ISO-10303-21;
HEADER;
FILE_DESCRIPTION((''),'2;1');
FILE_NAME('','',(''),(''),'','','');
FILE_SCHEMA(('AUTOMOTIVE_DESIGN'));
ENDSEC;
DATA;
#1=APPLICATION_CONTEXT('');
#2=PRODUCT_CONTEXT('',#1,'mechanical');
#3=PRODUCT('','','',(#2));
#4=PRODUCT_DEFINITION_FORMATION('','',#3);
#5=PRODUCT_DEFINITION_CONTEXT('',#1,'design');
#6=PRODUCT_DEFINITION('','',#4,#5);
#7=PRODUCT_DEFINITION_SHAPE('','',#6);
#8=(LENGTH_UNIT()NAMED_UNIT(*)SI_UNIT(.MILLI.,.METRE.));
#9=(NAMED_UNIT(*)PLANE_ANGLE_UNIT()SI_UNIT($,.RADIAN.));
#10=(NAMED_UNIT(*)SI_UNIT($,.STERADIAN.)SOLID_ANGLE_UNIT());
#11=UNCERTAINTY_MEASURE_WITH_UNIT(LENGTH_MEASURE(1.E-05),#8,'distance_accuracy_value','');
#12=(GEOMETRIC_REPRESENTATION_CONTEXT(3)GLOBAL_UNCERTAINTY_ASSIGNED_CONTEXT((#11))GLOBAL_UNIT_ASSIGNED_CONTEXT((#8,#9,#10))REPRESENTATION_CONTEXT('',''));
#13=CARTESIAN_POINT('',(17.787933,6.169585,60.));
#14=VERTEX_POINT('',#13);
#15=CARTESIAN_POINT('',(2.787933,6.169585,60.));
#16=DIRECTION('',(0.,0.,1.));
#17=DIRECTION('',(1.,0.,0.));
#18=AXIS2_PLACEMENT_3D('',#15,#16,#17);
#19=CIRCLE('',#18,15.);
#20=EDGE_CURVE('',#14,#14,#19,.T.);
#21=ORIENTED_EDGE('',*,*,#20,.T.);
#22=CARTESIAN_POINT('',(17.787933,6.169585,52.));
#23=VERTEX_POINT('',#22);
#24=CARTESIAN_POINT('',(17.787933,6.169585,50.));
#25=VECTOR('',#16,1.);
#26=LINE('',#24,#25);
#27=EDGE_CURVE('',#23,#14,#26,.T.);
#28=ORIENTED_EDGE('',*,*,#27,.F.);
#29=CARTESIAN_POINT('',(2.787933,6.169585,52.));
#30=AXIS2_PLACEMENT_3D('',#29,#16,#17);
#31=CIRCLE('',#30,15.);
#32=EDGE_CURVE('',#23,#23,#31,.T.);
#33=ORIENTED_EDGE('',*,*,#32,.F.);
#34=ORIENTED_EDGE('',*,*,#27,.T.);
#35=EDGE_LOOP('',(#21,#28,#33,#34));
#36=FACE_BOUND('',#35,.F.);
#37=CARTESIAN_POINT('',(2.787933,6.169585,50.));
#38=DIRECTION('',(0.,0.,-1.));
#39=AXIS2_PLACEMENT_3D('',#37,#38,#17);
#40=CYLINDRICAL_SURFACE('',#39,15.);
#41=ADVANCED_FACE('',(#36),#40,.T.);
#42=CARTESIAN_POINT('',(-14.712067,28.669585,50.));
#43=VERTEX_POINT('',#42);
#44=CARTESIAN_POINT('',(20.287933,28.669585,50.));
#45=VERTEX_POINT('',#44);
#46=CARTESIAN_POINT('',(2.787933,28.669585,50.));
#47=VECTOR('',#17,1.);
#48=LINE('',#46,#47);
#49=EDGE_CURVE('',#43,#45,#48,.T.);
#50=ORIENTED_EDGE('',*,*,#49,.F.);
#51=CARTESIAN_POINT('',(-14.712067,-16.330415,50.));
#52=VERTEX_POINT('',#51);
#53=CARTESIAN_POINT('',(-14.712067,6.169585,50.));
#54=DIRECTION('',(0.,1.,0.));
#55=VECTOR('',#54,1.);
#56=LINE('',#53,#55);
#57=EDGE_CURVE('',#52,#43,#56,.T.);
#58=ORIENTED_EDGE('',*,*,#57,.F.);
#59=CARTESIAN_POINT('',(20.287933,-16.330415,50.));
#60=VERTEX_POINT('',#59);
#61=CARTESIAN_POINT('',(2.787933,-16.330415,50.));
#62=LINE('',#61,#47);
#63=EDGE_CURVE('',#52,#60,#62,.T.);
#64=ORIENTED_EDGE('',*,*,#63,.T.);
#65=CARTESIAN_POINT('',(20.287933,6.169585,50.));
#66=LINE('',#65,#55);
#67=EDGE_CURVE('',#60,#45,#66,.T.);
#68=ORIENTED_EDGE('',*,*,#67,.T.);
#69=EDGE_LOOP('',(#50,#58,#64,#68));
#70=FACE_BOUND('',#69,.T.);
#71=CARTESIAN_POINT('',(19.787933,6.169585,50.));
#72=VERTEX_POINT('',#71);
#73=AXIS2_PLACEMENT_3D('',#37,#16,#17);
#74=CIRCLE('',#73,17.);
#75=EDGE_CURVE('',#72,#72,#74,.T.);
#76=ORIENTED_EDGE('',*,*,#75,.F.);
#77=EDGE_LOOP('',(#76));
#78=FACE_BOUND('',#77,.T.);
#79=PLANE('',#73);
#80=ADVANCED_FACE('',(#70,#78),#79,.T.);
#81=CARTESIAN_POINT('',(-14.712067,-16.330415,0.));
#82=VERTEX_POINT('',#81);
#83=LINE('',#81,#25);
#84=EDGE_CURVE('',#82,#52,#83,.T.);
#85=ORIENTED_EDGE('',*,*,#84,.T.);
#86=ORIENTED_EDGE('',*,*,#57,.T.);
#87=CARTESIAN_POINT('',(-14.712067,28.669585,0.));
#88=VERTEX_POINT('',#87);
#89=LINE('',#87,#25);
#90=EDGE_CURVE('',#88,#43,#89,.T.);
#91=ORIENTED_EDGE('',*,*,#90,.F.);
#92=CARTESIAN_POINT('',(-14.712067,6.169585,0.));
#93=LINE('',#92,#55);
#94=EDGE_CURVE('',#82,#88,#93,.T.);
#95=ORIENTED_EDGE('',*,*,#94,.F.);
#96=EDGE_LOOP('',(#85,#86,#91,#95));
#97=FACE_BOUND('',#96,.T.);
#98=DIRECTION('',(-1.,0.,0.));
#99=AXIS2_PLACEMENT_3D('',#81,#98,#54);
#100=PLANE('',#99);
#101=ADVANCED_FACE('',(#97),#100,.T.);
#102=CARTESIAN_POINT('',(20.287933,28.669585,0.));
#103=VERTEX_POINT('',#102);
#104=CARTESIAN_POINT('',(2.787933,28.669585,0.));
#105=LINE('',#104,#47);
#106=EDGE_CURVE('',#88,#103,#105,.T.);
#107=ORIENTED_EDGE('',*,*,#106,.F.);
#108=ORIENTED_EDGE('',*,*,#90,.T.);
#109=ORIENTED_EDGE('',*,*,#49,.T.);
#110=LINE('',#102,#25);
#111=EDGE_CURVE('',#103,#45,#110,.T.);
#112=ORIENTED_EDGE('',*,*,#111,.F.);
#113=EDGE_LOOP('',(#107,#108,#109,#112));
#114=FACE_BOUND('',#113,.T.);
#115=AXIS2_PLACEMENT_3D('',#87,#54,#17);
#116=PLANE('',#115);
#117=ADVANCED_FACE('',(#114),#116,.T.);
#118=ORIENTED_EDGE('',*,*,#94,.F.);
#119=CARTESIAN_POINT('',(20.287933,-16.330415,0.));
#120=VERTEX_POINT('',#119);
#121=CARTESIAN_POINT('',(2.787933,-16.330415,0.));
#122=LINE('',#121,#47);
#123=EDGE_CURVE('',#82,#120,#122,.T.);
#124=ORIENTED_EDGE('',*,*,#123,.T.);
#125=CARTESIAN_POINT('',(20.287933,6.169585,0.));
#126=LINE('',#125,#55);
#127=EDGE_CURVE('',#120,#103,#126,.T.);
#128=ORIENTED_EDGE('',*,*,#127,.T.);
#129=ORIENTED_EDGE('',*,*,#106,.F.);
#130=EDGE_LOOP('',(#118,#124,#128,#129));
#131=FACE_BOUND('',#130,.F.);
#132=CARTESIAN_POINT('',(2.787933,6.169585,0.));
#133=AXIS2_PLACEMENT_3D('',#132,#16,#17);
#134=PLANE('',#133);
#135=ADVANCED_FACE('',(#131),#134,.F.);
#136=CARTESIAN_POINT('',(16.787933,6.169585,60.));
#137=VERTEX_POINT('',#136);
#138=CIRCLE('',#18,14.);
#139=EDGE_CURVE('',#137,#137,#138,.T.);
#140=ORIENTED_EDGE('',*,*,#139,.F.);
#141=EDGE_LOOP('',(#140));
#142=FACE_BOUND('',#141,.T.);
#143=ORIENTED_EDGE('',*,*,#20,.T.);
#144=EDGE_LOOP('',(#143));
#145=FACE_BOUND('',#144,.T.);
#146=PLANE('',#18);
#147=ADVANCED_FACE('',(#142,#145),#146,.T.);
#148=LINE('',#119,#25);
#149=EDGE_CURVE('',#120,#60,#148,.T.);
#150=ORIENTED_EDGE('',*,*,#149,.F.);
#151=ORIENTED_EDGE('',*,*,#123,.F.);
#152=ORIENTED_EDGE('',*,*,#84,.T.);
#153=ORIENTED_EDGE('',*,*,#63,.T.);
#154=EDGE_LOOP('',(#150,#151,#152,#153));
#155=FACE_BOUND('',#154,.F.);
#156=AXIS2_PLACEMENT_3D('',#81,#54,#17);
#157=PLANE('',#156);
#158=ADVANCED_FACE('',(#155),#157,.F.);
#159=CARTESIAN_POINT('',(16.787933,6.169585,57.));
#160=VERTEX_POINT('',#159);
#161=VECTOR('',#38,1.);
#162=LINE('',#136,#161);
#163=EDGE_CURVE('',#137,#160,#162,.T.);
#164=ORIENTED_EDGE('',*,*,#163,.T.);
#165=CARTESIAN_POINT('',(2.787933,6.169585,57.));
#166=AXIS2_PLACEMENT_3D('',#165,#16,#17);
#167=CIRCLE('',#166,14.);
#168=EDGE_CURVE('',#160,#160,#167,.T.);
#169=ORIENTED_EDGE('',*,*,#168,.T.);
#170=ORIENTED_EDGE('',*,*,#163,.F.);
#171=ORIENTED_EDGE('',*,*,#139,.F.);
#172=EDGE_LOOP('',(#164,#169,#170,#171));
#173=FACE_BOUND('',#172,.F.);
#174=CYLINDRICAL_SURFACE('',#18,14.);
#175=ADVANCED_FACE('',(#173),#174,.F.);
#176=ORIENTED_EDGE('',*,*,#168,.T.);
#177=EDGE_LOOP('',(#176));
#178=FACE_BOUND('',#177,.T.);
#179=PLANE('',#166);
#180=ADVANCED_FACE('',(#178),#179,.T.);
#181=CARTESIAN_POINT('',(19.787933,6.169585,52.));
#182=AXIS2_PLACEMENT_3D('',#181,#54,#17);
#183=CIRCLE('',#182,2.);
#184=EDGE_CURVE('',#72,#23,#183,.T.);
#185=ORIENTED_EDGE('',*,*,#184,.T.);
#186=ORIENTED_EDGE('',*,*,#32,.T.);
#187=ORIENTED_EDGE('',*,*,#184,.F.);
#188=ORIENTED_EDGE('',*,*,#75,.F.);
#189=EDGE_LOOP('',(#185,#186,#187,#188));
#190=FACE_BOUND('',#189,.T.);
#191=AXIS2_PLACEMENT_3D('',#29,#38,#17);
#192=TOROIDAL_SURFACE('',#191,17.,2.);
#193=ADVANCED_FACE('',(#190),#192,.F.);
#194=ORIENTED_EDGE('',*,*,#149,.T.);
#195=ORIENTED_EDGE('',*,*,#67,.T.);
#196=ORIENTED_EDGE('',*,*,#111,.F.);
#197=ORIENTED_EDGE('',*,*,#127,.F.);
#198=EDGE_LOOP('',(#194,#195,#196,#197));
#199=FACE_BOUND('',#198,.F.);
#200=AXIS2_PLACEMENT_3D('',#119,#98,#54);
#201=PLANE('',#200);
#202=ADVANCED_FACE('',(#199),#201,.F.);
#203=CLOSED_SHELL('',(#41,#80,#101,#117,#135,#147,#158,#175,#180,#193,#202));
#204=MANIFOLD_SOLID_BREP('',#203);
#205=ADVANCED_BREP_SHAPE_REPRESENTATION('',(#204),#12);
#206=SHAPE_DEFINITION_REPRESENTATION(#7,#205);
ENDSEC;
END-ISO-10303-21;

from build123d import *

# Parameters (mm, degrees)
SKETCH_W     = 35
SKETCH_H     = 45
PAD_DEPTH    = 50
SKETCH001_R  = 15
PAD001_DEPTH = 10
SKETCH002_R  = 14
POCKET_DEPTH = 3
FILLET_R     = 2


with BuildPart() as part:
    # Sketch → Pad (new body)
    with BuildSketch(Plane.XY):
        with Locations((2.787933, 6.169585)):
            Rectangle(SKETCH_W, SKETCH_H)
    extrude(amount=PAD_DEPTH)

    # Sketch001 (on Face6 of Pad) → Pad001 (join)
    with BuildSketch(Plane.XY.offset(50)):
        with Locations((2.787933, 6.169585)):
            Circle(SKETCH001_R)
    extrude(amount=PAD001_DEPTH)

    # Sketch002 (on Face8 of Pad001) → Pocket (cut)
    with BuildSketch(Plane.XY.offset(60)):
        with Locations((2.787933, 6.169585)):
            Circle(SKETCH002_R)
    extrude(amount=-POCKET_DEPTH, mode=Mode.SUBTRACT)

    # Fillet
    fillet_edges = [part.edges().sort_by_distance(p)[0] for p in [
        (-12.212067, 6.169585, 50),
    ]]
    fillet(fillet_edges, radius=FILLET_R)


solid = part.part
